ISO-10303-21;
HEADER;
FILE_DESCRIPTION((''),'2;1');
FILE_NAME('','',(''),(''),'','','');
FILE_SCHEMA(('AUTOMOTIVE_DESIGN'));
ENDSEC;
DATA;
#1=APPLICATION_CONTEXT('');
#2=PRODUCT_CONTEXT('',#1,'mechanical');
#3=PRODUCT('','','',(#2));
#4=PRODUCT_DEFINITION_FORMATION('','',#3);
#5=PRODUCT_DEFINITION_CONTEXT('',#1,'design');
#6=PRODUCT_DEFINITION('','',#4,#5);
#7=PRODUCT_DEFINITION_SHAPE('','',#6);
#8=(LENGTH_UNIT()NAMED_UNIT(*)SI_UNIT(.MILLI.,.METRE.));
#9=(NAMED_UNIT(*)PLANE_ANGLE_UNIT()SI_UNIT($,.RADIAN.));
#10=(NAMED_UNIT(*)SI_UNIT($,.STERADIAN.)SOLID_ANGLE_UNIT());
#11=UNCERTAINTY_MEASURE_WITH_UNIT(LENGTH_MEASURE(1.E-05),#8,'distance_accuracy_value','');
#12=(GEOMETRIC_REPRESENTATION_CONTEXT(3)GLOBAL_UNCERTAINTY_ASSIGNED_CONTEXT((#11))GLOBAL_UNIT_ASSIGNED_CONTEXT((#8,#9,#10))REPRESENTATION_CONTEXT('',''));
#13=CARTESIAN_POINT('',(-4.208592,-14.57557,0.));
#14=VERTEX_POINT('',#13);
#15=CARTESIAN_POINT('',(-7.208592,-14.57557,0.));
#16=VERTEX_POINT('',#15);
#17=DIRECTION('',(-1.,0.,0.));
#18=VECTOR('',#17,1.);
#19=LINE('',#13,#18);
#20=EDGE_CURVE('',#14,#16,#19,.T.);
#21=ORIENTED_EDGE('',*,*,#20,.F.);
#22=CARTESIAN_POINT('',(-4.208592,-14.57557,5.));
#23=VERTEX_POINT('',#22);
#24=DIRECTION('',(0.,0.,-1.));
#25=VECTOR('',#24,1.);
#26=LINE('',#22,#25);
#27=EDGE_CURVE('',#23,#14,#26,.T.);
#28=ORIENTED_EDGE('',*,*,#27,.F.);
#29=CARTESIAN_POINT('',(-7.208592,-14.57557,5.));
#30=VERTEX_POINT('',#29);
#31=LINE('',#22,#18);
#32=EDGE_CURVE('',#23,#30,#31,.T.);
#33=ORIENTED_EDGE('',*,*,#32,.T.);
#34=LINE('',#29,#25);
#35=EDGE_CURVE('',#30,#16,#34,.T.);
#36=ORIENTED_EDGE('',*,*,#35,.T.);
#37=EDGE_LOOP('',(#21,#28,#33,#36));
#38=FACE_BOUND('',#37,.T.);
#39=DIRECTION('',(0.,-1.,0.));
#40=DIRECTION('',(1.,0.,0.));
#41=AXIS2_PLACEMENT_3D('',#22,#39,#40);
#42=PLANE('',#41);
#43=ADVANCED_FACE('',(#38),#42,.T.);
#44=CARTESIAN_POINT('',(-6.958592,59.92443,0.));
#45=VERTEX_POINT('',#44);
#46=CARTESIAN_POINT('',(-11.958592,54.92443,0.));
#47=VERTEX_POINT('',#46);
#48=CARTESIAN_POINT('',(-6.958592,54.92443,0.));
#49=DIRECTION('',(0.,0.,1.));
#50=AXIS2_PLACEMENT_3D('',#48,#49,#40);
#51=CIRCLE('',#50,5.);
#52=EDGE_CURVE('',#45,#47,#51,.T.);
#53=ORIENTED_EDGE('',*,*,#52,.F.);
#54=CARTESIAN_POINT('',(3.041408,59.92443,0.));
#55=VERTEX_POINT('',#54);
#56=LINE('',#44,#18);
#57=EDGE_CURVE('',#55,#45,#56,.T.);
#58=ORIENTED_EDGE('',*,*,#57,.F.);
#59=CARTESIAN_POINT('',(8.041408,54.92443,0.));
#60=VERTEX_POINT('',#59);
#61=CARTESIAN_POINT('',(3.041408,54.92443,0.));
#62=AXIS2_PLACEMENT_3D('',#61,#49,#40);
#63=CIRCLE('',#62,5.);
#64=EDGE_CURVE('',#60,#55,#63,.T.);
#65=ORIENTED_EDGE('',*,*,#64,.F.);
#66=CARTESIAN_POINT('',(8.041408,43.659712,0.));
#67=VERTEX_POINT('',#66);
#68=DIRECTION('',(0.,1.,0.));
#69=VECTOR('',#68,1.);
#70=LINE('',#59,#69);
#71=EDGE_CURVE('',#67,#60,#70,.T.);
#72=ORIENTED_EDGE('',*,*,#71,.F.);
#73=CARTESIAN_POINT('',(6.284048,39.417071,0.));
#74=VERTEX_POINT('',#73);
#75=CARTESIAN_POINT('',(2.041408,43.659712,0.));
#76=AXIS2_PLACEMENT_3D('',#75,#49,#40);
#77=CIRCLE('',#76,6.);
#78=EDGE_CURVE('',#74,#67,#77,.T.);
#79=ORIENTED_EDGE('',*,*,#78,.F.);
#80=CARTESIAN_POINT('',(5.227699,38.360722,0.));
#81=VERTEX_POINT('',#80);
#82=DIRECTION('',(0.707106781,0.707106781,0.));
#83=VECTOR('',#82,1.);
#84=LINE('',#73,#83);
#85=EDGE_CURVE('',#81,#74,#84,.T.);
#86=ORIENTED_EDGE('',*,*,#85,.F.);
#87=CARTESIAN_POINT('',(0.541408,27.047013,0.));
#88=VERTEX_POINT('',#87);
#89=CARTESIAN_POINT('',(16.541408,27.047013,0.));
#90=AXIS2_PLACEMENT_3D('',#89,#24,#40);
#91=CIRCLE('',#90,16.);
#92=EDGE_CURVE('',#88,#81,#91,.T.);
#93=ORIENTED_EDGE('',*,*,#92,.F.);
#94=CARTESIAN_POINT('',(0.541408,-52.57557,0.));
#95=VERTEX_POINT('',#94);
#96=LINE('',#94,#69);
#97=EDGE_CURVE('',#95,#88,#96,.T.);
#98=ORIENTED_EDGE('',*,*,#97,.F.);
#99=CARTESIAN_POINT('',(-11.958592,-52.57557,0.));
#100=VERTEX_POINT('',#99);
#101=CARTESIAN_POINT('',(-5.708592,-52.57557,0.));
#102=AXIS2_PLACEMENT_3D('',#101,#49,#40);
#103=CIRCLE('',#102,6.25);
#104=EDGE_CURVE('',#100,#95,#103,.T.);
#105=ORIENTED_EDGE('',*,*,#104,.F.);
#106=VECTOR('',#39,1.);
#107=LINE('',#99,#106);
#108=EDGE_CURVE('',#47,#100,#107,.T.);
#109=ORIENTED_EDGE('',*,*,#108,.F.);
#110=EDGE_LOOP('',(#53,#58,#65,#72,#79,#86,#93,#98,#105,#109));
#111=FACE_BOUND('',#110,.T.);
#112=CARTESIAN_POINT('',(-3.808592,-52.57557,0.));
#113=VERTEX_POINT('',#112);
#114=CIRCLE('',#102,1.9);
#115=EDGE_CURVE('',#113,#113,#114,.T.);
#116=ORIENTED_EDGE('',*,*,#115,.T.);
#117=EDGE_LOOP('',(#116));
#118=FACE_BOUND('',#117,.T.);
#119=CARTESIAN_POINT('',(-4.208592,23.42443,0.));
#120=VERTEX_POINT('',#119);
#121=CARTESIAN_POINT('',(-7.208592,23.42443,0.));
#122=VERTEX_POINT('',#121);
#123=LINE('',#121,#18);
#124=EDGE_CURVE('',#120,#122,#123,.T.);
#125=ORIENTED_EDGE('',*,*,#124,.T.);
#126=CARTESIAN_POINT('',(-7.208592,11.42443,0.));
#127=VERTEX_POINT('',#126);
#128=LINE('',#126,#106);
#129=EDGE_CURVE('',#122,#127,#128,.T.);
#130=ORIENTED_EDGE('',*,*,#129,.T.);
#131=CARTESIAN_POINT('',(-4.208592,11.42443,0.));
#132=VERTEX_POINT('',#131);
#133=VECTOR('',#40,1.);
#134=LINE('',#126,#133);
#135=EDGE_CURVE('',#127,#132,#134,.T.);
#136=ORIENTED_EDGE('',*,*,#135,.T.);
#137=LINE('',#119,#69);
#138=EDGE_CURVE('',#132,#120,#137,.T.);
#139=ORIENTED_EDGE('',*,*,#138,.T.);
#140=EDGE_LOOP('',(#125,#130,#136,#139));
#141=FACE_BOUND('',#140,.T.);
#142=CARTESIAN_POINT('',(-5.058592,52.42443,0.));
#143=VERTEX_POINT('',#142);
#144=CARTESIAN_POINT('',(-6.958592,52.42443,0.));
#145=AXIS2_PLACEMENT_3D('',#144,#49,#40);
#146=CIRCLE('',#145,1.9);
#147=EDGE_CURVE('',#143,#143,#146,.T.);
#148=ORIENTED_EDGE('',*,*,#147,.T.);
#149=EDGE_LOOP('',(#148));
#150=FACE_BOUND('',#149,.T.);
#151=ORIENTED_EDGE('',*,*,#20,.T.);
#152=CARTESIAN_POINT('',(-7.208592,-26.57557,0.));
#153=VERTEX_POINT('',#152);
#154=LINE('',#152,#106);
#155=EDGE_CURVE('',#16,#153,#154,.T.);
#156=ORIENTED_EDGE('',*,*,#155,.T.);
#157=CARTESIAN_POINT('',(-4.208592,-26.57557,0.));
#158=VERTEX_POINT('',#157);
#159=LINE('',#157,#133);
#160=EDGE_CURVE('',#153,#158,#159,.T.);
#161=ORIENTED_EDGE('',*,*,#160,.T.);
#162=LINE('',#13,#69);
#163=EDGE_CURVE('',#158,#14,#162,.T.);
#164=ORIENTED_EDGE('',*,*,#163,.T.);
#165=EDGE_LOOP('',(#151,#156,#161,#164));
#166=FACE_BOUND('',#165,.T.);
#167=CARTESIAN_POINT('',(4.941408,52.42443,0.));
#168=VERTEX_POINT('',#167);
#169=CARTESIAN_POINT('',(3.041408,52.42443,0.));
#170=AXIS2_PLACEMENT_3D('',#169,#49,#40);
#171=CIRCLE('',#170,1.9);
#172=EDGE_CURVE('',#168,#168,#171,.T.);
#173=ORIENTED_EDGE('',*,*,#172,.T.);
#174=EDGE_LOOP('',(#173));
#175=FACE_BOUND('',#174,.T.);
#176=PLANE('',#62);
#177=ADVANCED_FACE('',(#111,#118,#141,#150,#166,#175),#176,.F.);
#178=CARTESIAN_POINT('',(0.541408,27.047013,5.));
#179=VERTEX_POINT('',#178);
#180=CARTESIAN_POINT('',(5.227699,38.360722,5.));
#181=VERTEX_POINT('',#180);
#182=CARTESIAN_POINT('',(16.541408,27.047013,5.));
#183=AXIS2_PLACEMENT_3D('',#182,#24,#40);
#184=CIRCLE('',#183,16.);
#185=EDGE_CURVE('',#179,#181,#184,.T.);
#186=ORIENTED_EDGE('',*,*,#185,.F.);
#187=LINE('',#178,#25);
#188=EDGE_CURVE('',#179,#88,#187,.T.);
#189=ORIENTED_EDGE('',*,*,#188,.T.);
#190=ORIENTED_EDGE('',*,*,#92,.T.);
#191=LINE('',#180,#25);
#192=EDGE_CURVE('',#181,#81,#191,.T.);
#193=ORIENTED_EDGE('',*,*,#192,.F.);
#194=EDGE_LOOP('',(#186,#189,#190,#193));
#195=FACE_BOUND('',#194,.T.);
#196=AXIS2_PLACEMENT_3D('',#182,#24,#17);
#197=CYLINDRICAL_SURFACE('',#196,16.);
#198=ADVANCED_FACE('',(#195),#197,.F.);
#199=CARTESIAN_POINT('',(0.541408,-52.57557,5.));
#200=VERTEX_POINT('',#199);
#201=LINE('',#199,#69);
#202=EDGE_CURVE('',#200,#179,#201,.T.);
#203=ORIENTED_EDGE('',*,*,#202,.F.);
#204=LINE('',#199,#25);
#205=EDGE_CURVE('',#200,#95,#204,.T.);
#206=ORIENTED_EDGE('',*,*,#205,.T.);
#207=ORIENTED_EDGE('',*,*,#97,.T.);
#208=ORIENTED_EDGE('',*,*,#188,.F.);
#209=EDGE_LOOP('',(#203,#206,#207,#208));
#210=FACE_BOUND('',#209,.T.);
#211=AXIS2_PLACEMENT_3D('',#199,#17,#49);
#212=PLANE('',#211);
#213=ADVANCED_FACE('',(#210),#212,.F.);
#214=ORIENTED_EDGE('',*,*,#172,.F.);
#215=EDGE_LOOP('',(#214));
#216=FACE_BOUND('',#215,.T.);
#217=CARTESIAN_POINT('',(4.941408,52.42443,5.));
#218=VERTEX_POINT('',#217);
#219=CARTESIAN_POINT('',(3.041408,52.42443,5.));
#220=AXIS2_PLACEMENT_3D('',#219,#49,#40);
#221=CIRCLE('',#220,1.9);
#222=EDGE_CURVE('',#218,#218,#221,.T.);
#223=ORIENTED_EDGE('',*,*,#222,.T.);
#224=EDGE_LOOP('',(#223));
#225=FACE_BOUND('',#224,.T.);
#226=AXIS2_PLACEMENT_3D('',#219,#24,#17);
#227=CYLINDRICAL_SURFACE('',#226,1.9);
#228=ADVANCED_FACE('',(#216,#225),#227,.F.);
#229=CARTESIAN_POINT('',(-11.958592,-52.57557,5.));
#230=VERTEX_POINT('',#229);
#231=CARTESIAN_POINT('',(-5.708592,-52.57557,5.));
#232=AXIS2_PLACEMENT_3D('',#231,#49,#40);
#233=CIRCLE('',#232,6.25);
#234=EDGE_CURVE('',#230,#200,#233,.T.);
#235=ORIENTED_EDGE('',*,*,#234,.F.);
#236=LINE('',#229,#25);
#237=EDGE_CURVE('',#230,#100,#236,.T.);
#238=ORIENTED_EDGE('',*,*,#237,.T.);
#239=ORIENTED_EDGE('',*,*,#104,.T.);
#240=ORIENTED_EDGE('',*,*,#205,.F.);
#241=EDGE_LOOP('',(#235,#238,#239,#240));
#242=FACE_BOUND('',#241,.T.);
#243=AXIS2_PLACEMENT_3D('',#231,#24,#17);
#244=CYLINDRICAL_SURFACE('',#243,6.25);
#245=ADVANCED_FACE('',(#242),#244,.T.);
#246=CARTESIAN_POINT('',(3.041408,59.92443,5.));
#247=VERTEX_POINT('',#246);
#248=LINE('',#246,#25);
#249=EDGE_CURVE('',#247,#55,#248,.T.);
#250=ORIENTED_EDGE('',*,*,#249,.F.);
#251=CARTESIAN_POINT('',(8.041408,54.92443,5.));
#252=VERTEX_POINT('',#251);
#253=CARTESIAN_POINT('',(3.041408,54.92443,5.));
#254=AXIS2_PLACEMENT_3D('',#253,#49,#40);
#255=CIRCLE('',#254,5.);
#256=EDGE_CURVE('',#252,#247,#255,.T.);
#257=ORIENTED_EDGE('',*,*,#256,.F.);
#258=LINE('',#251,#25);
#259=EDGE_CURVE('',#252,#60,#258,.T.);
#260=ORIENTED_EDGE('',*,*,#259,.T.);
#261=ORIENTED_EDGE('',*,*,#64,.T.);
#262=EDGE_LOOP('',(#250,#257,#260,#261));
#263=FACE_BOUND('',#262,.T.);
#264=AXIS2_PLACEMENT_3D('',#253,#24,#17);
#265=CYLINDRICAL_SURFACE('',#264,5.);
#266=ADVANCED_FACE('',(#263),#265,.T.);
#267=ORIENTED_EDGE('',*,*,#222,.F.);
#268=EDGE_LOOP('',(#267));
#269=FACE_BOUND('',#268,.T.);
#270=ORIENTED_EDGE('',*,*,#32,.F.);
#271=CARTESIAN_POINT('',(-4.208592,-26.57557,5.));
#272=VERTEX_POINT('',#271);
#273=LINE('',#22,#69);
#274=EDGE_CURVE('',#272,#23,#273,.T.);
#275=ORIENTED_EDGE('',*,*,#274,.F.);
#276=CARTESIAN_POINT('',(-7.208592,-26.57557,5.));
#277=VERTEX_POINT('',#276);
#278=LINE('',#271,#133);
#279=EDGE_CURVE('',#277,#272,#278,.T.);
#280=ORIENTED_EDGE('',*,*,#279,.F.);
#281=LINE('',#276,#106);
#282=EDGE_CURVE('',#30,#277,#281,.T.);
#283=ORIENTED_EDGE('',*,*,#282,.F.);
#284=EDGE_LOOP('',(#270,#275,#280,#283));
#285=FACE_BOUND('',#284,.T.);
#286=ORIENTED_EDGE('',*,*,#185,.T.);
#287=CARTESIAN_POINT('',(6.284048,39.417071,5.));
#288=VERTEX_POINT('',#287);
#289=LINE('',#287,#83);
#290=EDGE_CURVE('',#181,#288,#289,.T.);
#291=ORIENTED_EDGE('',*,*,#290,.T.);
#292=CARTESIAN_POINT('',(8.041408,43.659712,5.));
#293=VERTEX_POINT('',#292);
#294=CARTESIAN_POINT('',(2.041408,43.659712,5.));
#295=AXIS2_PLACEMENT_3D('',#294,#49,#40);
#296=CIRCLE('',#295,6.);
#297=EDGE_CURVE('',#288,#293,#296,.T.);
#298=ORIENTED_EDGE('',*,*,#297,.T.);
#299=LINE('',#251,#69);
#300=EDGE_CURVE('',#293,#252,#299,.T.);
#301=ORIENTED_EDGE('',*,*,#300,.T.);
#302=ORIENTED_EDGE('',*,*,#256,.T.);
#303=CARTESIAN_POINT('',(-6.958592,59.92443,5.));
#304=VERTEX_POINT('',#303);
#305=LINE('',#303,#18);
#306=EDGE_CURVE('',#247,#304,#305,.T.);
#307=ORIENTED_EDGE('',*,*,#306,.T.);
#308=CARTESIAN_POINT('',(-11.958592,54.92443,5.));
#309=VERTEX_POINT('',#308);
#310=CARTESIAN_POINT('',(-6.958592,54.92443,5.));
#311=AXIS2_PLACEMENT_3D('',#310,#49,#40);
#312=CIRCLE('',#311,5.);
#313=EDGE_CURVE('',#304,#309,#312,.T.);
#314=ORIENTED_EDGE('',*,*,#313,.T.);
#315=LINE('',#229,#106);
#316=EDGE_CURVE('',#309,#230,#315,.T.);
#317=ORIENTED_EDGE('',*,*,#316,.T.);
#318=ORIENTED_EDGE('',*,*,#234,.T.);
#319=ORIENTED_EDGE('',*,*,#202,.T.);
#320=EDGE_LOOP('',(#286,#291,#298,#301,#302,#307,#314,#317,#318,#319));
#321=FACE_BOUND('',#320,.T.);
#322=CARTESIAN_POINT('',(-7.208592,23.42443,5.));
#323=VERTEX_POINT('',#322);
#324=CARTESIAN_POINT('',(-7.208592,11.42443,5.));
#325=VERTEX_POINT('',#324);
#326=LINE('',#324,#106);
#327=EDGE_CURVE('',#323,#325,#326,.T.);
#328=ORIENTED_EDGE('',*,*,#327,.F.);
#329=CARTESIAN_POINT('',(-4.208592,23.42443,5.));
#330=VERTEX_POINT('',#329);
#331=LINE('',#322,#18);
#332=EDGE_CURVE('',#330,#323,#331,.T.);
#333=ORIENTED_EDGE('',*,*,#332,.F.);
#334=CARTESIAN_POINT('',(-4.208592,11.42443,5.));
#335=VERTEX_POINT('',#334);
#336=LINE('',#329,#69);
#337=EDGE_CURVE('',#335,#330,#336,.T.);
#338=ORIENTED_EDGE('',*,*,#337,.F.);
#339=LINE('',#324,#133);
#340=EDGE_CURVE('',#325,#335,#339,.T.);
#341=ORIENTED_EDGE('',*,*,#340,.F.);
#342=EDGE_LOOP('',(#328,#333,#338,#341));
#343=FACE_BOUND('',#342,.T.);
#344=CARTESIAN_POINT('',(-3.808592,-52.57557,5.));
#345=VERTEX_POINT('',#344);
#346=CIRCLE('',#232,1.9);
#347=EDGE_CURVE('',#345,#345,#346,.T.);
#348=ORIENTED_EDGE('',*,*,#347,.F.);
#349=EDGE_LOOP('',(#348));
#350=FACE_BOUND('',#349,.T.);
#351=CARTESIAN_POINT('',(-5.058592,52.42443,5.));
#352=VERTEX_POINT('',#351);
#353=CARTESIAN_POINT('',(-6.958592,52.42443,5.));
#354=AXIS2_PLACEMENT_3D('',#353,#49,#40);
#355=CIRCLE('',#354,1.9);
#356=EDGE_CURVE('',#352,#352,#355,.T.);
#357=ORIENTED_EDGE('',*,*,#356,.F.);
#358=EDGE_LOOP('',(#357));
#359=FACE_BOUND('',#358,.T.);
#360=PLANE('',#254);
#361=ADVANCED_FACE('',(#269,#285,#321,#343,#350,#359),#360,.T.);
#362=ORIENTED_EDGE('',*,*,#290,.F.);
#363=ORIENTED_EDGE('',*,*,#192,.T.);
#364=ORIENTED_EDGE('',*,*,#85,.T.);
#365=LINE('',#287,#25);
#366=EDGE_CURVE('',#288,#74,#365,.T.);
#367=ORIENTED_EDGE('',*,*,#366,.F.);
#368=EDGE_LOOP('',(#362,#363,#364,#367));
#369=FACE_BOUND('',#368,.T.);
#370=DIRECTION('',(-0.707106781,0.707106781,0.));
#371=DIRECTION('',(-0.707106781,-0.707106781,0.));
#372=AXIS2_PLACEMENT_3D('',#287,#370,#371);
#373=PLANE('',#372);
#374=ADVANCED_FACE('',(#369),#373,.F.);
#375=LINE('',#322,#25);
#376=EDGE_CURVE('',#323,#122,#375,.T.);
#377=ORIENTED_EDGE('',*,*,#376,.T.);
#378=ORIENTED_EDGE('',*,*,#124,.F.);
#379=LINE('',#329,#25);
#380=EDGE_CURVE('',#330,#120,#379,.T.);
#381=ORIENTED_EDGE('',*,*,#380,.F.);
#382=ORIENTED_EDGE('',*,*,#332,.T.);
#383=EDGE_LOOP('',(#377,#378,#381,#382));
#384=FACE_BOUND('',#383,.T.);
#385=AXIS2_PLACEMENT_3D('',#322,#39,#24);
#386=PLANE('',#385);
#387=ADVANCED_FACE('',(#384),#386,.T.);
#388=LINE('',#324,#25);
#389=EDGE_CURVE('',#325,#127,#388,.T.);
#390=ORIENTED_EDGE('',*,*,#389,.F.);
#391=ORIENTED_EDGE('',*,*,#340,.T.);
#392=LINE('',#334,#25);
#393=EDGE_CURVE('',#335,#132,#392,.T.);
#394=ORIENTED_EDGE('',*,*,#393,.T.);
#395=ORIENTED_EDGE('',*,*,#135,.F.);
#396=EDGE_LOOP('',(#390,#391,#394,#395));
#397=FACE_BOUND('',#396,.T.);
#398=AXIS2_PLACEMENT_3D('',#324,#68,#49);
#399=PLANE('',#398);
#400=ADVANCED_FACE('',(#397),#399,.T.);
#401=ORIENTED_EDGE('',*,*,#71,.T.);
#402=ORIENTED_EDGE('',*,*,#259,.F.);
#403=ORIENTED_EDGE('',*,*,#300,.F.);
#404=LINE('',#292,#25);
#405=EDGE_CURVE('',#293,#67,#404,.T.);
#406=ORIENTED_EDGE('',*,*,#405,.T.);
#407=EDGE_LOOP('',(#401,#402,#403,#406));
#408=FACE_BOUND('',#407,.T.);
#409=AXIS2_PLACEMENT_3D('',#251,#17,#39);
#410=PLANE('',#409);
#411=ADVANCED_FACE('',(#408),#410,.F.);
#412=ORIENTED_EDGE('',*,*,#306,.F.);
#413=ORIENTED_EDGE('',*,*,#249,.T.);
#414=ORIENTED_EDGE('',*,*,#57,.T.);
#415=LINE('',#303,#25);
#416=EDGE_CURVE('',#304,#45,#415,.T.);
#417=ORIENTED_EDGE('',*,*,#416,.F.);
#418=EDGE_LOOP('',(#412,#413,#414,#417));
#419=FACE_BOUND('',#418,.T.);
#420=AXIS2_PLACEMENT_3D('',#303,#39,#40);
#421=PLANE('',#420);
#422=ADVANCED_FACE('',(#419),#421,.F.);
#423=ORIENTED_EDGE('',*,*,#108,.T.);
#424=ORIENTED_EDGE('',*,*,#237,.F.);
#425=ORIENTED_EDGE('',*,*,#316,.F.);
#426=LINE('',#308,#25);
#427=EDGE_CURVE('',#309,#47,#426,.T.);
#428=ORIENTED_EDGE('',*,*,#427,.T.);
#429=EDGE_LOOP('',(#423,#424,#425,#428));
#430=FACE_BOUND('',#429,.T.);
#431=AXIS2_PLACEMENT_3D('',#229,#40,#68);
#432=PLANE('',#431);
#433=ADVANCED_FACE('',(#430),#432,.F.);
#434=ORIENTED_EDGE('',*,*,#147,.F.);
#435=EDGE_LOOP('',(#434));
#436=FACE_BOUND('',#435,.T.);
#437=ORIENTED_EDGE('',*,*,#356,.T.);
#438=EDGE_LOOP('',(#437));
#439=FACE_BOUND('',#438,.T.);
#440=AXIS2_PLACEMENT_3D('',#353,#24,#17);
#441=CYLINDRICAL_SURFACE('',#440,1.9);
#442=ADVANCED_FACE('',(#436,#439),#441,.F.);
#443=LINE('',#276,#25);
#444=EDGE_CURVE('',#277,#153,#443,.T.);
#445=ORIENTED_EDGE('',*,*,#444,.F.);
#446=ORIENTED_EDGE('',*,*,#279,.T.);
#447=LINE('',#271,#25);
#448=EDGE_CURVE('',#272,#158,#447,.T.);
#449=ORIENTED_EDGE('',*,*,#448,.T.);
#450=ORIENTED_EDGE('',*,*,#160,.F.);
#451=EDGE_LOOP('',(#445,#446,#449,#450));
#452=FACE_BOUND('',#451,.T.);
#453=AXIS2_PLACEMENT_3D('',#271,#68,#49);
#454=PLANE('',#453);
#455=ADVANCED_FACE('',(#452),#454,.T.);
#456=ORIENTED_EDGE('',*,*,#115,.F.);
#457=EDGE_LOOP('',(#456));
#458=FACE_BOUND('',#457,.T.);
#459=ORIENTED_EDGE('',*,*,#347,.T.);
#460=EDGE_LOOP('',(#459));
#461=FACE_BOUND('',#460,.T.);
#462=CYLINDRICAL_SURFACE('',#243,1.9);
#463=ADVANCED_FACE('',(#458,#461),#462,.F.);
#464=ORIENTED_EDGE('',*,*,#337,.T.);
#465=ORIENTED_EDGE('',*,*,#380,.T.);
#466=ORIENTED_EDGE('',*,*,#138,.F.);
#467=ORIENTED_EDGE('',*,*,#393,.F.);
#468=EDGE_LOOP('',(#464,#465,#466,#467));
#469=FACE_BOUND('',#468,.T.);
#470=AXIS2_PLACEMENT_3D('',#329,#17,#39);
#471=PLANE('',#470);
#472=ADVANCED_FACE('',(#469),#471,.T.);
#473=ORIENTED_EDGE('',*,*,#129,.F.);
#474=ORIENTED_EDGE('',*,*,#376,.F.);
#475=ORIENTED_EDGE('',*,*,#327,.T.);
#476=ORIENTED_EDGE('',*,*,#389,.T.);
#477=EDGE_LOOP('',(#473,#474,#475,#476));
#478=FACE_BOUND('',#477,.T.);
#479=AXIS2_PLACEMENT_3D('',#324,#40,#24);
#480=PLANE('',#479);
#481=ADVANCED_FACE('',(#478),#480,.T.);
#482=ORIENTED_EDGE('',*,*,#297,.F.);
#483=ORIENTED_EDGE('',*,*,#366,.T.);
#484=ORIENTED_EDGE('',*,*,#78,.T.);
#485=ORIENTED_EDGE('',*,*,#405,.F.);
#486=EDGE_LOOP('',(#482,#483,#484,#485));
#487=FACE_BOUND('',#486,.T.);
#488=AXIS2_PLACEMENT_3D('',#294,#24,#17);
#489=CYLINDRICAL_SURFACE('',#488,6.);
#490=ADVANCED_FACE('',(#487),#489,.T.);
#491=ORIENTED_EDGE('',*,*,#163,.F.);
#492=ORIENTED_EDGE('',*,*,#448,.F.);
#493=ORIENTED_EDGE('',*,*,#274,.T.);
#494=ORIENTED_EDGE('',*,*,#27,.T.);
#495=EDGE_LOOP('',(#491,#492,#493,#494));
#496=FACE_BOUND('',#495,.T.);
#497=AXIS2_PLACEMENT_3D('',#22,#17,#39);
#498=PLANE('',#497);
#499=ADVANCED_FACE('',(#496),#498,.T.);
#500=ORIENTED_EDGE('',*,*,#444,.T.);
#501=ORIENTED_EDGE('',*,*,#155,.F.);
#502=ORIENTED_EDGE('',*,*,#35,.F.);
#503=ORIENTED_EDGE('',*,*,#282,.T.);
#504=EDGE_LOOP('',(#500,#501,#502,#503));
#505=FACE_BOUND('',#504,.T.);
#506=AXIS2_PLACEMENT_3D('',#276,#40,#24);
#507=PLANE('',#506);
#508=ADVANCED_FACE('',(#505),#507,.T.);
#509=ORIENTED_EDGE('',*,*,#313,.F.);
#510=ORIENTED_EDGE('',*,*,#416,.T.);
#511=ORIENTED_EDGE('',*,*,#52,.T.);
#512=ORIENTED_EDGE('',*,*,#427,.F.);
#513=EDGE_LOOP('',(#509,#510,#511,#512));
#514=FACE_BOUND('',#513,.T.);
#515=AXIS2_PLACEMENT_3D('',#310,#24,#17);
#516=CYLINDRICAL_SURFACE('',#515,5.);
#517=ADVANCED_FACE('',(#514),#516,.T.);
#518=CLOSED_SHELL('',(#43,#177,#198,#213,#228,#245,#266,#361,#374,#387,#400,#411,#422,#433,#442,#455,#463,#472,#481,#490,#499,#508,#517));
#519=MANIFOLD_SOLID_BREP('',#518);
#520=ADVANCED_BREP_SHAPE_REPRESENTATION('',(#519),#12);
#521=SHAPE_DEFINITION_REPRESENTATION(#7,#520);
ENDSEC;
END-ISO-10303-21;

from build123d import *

# Parameters (mm, degrees)
ESQUISSE1_R        = 1.9
ESQUISSE1_W        = 3
ESQUISSE1_H        = 12
BOSS_EXTRU_1_DEPTH = 5


with BuildPart() as part:
    # Esquisse1 → Boss.-Extru.1 (new body)
    with BuildSketch(Plane.XY):
        with BuildLine():
            Line((-6.95859236, 59.924430221), (3.04140764, 59.924430221))
            ThreePointArc((3.04140764, 59.924430221), (6.576941546, 58.459964127), (8.04140764, 54.924430221))
            Line((8.04140764, 54.924430221), (8.04140764, 43.659711595))
            ThreePointArc((8.04140764, 43.659711595), (7.584684835, 41.363611001), (6.284048327, 39.417070908))
            Line((6.284048327, 39.417070908), (5.227699141, 38.360721722))
            ThreePointArc((5.227699141, 38.360721722), (1.75933512, 33.169948141), (0.54140764, 27.047013223))
            Line((0.54140764, 27.047013223), (0.54140764, -52.575569779))
            ThreePointArc((0.54140764, -52.575569779), (-5.70859236, -58.825569779), (-11.95859236, -52.575569779))
            Line((-11.95859236, -52.575569779), (-11.95859236, 54.924430221))
            ThreePointArc((-11.95859236, 54.924430221), (-10.494126266, 58.459964127), (-6.95859236, 59.924430221))
        make_face()
        with Locations((-5.70859236, -52.575569779)):
            Circle(ESQUISSE1_R, mode=Mode.SUBTRACT)
        with Locations((3.04140764, 52.424430221)):
            Circle(ESQUISSE1_R, mode=Mode.SUBTRACT)
        with Locations((-6.95859236, 52.424430221)):
            Circle(ESQUISSE1_R, mode=Mode.SUBTRACT)
        with Locations((-5.70859236, 17.424430221)):
            Rectangle(ESQUISSE1_W, ESQUISSE1_H, mode=Mode.SUBTRACT)
        with Locations((-5.70859236, -20.575569779)):
            Rectangle(ESQUISSE1_W, ESQUISSE1_H, mode=Mode.SUBTRACT)
    extrude(amount=BOSS_EXTRU_1_DEPTH)


solid = part.part
